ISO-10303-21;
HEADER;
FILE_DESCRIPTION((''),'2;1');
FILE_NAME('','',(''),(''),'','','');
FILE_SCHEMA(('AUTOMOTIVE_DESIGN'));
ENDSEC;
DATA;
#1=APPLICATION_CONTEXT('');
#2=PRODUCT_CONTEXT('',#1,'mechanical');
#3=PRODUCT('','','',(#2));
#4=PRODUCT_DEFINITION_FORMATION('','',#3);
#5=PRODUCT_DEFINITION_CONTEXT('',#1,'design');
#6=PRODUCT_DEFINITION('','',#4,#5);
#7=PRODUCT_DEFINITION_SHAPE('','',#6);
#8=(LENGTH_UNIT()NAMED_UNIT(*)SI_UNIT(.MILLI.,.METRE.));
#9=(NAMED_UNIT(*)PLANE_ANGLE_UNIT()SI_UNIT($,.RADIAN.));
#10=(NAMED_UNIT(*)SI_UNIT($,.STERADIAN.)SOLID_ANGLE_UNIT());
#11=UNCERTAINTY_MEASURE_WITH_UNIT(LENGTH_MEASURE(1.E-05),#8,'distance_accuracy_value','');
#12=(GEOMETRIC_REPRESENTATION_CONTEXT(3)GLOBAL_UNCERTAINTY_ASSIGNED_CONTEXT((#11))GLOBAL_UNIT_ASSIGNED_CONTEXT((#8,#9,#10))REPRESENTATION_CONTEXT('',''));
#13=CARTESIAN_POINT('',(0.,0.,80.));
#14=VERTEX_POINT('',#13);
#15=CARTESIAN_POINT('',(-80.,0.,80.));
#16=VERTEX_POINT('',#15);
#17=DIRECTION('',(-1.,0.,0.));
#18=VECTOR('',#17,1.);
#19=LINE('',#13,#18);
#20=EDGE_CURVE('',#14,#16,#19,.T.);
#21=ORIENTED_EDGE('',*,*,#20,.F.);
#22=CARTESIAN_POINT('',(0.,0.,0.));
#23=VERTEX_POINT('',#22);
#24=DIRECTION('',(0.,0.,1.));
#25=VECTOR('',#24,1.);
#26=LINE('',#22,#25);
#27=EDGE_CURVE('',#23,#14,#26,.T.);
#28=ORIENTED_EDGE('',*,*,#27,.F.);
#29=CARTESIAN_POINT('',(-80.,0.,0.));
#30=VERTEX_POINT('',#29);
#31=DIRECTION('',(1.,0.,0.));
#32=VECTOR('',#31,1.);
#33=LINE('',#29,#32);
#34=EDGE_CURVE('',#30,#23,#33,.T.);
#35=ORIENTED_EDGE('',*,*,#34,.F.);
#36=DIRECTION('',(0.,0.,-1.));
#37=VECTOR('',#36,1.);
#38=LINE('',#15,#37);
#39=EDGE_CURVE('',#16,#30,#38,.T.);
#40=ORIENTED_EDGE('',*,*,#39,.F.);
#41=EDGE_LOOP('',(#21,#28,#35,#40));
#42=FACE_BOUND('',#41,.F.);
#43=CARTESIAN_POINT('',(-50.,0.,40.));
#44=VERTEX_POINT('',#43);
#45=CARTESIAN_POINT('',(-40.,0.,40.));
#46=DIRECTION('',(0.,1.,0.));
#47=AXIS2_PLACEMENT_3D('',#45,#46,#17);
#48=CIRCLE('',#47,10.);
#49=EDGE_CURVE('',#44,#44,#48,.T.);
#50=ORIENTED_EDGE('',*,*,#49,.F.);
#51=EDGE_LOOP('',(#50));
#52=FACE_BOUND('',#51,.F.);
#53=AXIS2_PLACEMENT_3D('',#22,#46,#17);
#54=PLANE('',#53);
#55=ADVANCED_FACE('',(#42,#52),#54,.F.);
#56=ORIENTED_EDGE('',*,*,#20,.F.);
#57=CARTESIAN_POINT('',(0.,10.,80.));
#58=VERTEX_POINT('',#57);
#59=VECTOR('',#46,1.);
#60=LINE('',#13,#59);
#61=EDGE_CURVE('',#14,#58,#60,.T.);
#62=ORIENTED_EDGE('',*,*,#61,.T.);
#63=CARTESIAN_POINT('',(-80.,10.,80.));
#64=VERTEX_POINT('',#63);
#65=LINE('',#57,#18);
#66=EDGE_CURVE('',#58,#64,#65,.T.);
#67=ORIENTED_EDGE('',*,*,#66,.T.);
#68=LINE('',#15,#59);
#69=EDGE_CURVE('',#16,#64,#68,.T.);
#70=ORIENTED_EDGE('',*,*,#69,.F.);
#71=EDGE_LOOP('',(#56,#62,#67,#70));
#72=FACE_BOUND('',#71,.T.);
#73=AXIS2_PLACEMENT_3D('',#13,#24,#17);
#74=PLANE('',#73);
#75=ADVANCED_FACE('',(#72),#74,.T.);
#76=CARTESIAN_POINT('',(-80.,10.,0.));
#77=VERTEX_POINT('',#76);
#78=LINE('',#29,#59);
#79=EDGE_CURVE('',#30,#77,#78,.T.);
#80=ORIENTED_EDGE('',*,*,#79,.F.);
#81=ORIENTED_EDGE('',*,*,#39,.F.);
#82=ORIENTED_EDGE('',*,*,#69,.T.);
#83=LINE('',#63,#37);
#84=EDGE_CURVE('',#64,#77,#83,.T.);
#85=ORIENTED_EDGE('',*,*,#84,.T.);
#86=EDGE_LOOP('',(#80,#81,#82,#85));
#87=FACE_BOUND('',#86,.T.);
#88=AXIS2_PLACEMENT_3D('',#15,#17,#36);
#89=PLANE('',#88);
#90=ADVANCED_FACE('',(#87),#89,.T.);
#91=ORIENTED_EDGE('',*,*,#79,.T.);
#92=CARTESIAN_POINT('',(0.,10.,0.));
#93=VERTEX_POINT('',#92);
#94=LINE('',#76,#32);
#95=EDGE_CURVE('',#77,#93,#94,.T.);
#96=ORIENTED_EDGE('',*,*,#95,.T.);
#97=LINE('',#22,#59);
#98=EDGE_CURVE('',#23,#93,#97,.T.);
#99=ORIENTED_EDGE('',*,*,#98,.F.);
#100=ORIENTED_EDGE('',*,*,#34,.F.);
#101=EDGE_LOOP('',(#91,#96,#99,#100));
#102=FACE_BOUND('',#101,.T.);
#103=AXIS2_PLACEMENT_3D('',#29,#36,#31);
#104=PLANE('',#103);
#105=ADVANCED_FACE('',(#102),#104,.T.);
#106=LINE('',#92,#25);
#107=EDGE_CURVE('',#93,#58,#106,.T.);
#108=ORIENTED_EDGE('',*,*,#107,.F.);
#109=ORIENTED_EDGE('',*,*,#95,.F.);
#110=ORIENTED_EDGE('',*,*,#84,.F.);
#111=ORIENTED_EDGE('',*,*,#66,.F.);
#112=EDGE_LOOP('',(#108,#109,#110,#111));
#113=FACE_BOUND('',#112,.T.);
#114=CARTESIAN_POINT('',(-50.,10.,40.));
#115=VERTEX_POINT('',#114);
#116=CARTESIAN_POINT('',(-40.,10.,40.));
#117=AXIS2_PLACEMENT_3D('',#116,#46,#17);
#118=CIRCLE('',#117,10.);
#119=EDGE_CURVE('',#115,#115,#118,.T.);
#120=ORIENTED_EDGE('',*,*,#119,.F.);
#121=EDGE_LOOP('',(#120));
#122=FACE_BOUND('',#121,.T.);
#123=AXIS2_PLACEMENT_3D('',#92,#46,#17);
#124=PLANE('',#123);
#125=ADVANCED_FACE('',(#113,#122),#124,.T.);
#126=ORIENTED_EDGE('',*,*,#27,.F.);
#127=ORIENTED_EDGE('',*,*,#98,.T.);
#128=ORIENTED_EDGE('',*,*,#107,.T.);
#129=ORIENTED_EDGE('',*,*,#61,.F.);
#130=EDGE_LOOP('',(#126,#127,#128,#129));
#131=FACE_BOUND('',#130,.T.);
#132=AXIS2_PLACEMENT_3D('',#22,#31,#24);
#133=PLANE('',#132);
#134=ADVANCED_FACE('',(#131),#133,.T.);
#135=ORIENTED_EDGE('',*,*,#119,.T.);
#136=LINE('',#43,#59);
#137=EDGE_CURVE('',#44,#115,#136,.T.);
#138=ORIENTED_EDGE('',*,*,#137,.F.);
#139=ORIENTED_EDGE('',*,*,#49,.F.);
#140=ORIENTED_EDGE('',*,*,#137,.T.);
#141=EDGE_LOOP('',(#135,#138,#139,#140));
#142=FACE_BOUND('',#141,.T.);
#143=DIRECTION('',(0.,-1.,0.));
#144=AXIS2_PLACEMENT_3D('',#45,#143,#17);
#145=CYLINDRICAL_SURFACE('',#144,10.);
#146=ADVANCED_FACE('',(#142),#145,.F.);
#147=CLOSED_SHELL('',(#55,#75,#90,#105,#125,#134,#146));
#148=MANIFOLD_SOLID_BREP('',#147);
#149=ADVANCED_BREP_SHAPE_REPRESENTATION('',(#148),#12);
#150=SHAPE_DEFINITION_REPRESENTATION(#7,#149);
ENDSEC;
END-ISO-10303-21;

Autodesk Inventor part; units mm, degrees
ref_plane "YZ Plane" through (0, 0, 0) normal (1, 0, 0) x (0, 1, 0)
ref_plane "XZ Plane" through (0, 0, 0) normal (0, 1, 0) x (-1, 0, 0)
ref_plane "XY Plane" through (0, 0, 0) normal (0, 0, 1) x (1, 0, 0)
sketch "Sketch1" plane through (0, 0, 0) normal (0, 1, 0) x (-1, 0, 0)
  line L0 (0, 0) -> (0, 80)
  line L1 (0, 80) -> (80, 80)
  line L2 (80, 80) -> (80, 0)
  line L3 (80, 0) -> (0, 0)
  circle A0 centre (40, 40) radius 10
  dimension "d0" = 80
extrude "Extrusion1" add sketch "Sketch1" along normal blind 10
properties part number "P1-5"
